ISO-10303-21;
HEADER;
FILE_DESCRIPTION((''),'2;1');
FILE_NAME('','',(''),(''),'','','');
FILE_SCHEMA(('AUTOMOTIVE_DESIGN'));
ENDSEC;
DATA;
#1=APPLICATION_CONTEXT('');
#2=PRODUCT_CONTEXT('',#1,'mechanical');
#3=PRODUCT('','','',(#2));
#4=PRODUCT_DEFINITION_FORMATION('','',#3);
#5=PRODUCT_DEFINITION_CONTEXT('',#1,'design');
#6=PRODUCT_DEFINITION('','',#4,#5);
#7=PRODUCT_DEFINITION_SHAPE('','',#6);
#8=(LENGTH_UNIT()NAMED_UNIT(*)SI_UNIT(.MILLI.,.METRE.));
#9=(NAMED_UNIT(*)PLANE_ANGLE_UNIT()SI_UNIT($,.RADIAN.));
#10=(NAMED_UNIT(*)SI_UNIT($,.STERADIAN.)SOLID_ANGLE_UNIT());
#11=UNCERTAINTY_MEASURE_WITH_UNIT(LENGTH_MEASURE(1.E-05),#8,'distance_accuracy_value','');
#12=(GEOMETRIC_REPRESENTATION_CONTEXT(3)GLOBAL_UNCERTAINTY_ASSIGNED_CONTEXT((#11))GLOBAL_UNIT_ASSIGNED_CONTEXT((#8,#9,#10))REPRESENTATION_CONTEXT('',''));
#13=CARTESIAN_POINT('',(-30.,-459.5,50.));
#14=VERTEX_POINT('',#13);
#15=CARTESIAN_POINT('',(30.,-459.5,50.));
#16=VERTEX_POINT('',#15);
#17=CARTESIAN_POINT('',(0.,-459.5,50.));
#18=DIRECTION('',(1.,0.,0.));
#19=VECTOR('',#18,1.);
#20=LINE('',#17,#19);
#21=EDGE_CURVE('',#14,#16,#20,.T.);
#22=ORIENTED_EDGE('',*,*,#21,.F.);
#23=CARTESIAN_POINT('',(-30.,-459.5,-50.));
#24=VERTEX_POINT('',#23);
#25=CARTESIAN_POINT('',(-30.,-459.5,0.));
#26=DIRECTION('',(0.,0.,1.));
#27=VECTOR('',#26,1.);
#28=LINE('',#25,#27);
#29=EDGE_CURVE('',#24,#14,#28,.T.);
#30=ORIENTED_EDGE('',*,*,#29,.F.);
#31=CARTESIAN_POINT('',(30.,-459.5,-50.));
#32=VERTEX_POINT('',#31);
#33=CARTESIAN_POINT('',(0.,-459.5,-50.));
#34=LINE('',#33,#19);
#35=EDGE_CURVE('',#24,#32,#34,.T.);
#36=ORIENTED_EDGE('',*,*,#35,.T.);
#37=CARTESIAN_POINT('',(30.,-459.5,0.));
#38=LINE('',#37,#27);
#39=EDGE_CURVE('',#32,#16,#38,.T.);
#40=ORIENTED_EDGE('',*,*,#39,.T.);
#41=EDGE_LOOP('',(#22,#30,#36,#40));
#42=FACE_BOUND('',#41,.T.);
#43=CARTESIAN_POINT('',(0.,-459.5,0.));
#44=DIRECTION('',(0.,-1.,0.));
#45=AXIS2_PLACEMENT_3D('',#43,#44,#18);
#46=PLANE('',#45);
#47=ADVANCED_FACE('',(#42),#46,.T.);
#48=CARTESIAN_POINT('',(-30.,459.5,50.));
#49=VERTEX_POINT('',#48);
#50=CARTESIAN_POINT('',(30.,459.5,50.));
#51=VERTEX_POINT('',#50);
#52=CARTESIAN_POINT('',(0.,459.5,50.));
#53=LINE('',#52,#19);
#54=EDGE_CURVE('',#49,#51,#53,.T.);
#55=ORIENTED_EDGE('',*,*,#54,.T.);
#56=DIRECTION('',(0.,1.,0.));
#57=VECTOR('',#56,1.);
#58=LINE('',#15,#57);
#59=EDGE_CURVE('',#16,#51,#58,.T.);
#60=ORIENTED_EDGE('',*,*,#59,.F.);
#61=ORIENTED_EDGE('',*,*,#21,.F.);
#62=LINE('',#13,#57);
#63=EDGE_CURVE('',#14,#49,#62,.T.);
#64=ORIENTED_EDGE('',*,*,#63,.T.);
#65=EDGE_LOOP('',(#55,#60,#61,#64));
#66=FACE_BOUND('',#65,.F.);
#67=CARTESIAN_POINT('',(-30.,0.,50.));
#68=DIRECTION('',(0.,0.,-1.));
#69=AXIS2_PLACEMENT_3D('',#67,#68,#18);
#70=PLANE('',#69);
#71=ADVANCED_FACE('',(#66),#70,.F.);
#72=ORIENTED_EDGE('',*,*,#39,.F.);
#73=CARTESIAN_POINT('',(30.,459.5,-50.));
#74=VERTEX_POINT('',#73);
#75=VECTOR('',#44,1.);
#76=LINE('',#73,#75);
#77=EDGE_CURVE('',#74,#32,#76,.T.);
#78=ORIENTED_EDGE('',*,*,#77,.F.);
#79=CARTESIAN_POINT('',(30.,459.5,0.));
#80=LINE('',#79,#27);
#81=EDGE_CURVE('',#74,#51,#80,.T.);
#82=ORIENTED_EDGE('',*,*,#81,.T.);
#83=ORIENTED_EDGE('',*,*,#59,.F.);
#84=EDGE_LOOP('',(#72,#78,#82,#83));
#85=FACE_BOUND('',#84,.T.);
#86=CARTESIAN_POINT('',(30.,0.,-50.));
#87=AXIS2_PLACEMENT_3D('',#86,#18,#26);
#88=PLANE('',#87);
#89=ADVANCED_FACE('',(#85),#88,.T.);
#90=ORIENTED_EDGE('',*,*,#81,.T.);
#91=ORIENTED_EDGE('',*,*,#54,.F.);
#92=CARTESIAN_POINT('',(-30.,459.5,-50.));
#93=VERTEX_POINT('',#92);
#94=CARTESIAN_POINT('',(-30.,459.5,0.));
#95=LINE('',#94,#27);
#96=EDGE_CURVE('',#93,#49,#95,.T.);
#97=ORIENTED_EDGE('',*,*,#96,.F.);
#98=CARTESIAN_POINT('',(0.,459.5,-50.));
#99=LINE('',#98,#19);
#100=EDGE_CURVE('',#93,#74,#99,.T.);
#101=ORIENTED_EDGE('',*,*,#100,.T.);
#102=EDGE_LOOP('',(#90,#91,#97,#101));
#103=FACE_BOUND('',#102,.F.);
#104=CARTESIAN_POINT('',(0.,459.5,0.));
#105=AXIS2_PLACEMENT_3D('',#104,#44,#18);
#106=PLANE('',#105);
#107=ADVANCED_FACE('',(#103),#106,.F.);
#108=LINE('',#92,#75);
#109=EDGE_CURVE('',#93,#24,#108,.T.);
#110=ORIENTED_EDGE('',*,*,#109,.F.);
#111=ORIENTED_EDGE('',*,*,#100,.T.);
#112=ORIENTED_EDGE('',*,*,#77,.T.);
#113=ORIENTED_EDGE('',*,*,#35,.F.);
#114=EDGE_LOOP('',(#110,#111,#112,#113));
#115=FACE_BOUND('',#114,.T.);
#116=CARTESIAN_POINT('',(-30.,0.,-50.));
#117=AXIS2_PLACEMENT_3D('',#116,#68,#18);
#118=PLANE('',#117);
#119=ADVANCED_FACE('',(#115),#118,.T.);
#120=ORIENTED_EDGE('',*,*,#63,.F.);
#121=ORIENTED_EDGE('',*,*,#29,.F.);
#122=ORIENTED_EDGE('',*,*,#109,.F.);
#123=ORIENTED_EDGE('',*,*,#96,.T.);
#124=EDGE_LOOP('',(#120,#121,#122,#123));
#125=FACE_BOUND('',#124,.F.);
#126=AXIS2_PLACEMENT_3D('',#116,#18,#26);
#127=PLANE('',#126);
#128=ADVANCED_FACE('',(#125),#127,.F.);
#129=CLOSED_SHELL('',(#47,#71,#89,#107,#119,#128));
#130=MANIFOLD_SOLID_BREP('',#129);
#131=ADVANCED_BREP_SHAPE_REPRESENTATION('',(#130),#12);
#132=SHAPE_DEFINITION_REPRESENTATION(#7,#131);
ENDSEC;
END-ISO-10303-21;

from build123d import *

# Parameters (mm, degrees)
SKETCH_W  = 60
SKETCH_H  = 100
PAD_DEPTH = 459.5


with BuildPart() as part:
    # Sketch → Pad (new body, symmetric)
    with BuildSketch(Plane.XZ):
        Rectangle(SKETCH_W, SKETCH_H)
    extrude(amount=PAD_DEPTH, both=True)


solid = part.part
